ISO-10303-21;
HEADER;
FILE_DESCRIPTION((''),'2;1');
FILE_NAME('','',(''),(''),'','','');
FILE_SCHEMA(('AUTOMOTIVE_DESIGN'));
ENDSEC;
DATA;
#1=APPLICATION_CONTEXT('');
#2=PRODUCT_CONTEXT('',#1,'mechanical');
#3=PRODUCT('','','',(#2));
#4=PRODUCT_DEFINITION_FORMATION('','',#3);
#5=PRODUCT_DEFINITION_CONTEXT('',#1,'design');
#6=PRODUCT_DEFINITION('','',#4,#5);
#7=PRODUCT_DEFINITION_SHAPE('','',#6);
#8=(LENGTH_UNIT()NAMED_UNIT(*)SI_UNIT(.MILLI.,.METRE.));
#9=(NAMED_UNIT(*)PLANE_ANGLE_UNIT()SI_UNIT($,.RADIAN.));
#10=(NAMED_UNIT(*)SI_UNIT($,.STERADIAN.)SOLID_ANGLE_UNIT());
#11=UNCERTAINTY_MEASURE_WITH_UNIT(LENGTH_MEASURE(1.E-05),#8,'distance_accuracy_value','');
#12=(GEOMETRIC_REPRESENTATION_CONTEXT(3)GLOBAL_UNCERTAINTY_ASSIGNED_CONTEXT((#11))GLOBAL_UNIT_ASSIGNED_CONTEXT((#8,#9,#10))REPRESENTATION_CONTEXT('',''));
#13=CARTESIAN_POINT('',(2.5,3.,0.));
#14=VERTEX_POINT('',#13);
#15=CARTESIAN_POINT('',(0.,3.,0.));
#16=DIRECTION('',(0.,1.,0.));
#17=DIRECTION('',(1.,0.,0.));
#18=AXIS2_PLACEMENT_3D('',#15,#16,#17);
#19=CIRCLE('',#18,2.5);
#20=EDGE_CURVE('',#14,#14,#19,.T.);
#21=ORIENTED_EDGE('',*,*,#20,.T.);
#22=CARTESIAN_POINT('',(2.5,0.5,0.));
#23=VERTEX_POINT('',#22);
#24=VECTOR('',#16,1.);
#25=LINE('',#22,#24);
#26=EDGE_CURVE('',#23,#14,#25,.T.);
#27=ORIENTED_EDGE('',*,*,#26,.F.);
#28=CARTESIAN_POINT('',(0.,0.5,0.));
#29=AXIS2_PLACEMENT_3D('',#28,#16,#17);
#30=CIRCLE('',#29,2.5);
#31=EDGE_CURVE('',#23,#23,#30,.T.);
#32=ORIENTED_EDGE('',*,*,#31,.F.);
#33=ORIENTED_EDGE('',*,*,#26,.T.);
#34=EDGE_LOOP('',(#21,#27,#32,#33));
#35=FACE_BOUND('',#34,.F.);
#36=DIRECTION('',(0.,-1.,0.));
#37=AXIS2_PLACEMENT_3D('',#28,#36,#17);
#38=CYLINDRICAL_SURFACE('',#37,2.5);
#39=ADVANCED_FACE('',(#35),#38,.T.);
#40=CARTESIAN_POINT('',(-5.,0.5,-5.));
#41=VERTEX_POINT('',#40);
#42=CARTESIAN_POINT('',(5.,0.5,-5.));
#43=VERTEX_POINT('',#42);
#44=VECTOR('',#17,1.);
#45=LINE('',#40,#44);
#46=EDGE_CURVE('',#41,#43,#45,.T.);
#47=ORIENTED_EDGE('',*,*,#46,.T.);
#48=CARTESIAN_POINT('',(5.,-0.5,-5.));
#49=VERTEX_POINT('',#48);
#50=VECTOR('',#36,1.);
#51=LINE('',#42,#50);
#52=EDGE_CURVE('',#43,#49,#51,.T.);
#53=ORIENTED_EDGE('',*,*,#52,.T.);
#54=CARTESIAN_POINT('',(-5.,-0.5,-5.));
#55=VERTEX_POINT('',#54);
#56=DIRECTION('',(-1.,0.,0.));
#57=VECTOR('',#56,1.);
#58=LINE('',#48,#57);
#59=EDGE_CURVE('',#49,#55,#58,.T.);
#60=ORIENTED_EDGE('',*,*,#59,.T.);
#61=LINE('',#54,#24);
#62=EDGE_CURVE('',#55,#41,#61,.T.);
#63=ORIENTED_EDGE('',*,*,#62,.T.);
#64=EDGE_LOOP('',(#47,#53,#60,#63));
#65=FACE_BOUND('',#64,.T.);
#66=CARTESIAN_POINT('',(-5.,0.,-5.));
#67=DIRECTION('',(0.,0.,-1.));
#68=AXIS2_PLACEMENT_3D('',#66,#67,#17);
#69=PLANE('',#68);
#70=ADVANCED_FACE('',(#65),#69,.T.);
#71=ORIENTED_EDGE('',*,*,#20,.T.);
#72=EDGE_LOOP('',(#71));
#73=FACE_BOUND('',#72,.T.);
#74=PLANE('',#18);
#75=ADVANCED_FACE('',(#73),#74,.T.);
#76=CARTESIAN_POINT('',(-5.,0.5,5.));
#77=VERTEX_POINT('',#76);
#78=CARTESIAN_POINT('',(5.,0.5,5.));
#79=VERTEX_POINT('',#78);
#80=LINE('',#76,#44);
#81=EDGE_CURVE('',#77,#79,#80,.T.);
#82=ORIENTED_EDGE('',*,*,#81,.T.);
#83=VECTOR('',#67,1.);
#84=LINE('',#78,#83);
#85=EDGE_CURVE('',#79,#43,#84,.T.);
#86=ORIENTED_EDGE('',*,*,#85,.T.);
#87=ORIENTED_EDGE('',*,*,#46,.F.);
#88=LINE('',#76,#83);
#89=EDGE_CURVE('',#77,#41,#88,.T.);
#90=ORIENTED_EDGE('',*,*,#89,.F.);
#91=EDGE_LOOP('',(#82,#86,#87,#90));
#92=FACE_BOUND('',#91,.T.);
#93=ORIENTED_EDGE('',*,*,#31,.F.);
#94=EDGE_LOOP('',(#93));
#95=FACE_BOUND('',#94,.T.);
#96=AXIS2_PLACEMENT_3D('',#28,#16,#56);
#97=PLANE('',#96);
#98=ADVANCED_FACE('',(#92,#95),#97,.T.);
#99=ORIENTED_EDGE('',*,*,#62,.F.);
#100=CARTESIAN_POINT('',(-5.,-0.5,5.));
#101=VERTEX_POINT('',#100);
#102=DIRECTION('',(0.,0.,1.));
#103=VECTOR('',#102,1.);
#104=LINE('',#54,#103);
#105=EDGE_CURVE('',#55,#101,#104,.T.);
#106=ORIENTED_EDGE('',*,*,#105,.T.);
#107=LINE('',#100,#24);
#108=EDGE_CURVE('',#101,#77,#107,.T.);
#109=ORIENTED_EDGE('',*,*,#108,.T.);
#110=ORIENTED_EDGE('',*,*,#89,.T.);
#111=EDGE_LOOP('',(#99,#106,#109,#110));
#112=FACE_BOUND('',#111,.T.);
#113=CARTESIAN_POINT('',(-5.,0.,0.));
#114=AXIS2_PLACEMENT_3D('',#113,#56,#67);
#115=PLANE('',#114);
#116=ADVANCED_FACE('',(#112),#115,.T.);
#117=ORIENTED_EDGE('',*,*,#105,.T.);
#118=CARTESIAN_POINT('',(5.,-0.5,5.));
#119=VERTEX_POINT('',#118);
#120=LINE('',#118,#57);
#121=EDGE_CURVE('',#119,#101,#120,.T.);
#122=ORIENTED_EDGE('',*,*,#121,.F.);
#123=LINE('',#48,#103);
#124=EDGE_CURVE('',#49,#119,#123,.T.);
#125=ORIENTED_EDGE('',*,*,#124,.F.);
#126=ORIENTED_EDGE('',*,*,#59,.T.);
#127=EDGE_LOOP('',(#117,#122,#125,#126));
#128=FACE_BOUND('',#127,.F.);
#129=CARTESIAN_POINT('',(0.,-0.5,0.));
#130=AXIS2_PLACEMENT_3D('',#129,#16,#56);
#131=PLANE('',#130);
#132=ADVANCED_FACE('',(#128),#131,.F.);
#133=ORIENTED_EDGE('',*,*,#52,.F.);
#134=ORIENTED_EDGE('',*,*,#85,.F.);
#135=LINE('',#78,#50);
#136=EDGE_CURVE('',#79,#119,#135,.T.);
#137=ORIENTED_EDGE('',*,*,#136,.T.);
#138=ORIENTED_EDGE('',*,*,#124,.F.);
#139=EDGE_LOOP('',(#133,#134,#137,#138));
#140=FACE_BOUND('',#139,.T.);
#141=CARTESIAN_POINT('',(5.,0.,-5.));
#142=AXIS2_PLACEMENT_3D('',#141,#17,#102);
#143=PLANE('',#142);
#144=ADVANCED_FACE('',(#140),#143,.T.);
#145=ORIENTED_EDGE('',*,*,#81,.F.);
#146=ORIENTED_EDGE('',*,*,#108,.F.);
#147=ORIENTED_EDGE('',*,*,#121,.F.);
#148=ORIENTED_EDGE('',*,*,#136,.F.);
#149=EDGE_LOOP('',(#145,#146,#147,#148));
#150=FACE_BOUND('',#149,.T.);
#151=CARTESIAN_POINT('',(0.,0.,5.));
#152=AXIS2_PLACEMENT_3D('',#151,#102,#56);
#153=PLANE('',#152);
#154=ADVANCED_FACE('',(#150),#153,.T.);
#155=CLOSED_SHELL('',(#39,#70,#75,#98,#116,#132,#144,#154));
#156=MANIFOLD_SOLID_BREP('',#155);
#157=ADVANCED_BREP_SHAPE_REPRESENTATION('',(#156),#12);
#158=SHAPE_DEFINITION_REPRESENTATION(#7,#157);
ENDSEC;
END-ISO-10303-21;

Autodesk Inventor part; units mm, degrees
sketch "Sketch1" plane through (0, 0, 0) normal (0, 1, 0) x (-1, 0, 0)
  line L0 (5, -5) -> (-5, -5)
  line L1 (-5, -5) -> (-5, 5)
  line L2 (-5, 5) -> (5, 5)
  line L3 (5, 5) -> (5, -5)
  line L4 (0, -6.825) -> (0, 6.825) projected
  line L5 (-7, 0) -> (7, 0) projected
  point P0 (0, 0)
  point P1 (0, -5)
  point P2 (5, 0)
  dimension "d0" = 10
  dimension "d1" = 10
extrude "Extrusion1" add sketch "Sketch1" along normal mid plane 1
sketch "Sketch2" plane through (0, 0.5, 0) normal (0, 1, 0) x (1, 0, 0)
  circle A0 centre (0, 0) radius 2.5
  dimension "d4" = 5
extrude "Extrusion2" add sketch "Sketch2" along normal blind 2.5
properties part number "1x1_Piece"
